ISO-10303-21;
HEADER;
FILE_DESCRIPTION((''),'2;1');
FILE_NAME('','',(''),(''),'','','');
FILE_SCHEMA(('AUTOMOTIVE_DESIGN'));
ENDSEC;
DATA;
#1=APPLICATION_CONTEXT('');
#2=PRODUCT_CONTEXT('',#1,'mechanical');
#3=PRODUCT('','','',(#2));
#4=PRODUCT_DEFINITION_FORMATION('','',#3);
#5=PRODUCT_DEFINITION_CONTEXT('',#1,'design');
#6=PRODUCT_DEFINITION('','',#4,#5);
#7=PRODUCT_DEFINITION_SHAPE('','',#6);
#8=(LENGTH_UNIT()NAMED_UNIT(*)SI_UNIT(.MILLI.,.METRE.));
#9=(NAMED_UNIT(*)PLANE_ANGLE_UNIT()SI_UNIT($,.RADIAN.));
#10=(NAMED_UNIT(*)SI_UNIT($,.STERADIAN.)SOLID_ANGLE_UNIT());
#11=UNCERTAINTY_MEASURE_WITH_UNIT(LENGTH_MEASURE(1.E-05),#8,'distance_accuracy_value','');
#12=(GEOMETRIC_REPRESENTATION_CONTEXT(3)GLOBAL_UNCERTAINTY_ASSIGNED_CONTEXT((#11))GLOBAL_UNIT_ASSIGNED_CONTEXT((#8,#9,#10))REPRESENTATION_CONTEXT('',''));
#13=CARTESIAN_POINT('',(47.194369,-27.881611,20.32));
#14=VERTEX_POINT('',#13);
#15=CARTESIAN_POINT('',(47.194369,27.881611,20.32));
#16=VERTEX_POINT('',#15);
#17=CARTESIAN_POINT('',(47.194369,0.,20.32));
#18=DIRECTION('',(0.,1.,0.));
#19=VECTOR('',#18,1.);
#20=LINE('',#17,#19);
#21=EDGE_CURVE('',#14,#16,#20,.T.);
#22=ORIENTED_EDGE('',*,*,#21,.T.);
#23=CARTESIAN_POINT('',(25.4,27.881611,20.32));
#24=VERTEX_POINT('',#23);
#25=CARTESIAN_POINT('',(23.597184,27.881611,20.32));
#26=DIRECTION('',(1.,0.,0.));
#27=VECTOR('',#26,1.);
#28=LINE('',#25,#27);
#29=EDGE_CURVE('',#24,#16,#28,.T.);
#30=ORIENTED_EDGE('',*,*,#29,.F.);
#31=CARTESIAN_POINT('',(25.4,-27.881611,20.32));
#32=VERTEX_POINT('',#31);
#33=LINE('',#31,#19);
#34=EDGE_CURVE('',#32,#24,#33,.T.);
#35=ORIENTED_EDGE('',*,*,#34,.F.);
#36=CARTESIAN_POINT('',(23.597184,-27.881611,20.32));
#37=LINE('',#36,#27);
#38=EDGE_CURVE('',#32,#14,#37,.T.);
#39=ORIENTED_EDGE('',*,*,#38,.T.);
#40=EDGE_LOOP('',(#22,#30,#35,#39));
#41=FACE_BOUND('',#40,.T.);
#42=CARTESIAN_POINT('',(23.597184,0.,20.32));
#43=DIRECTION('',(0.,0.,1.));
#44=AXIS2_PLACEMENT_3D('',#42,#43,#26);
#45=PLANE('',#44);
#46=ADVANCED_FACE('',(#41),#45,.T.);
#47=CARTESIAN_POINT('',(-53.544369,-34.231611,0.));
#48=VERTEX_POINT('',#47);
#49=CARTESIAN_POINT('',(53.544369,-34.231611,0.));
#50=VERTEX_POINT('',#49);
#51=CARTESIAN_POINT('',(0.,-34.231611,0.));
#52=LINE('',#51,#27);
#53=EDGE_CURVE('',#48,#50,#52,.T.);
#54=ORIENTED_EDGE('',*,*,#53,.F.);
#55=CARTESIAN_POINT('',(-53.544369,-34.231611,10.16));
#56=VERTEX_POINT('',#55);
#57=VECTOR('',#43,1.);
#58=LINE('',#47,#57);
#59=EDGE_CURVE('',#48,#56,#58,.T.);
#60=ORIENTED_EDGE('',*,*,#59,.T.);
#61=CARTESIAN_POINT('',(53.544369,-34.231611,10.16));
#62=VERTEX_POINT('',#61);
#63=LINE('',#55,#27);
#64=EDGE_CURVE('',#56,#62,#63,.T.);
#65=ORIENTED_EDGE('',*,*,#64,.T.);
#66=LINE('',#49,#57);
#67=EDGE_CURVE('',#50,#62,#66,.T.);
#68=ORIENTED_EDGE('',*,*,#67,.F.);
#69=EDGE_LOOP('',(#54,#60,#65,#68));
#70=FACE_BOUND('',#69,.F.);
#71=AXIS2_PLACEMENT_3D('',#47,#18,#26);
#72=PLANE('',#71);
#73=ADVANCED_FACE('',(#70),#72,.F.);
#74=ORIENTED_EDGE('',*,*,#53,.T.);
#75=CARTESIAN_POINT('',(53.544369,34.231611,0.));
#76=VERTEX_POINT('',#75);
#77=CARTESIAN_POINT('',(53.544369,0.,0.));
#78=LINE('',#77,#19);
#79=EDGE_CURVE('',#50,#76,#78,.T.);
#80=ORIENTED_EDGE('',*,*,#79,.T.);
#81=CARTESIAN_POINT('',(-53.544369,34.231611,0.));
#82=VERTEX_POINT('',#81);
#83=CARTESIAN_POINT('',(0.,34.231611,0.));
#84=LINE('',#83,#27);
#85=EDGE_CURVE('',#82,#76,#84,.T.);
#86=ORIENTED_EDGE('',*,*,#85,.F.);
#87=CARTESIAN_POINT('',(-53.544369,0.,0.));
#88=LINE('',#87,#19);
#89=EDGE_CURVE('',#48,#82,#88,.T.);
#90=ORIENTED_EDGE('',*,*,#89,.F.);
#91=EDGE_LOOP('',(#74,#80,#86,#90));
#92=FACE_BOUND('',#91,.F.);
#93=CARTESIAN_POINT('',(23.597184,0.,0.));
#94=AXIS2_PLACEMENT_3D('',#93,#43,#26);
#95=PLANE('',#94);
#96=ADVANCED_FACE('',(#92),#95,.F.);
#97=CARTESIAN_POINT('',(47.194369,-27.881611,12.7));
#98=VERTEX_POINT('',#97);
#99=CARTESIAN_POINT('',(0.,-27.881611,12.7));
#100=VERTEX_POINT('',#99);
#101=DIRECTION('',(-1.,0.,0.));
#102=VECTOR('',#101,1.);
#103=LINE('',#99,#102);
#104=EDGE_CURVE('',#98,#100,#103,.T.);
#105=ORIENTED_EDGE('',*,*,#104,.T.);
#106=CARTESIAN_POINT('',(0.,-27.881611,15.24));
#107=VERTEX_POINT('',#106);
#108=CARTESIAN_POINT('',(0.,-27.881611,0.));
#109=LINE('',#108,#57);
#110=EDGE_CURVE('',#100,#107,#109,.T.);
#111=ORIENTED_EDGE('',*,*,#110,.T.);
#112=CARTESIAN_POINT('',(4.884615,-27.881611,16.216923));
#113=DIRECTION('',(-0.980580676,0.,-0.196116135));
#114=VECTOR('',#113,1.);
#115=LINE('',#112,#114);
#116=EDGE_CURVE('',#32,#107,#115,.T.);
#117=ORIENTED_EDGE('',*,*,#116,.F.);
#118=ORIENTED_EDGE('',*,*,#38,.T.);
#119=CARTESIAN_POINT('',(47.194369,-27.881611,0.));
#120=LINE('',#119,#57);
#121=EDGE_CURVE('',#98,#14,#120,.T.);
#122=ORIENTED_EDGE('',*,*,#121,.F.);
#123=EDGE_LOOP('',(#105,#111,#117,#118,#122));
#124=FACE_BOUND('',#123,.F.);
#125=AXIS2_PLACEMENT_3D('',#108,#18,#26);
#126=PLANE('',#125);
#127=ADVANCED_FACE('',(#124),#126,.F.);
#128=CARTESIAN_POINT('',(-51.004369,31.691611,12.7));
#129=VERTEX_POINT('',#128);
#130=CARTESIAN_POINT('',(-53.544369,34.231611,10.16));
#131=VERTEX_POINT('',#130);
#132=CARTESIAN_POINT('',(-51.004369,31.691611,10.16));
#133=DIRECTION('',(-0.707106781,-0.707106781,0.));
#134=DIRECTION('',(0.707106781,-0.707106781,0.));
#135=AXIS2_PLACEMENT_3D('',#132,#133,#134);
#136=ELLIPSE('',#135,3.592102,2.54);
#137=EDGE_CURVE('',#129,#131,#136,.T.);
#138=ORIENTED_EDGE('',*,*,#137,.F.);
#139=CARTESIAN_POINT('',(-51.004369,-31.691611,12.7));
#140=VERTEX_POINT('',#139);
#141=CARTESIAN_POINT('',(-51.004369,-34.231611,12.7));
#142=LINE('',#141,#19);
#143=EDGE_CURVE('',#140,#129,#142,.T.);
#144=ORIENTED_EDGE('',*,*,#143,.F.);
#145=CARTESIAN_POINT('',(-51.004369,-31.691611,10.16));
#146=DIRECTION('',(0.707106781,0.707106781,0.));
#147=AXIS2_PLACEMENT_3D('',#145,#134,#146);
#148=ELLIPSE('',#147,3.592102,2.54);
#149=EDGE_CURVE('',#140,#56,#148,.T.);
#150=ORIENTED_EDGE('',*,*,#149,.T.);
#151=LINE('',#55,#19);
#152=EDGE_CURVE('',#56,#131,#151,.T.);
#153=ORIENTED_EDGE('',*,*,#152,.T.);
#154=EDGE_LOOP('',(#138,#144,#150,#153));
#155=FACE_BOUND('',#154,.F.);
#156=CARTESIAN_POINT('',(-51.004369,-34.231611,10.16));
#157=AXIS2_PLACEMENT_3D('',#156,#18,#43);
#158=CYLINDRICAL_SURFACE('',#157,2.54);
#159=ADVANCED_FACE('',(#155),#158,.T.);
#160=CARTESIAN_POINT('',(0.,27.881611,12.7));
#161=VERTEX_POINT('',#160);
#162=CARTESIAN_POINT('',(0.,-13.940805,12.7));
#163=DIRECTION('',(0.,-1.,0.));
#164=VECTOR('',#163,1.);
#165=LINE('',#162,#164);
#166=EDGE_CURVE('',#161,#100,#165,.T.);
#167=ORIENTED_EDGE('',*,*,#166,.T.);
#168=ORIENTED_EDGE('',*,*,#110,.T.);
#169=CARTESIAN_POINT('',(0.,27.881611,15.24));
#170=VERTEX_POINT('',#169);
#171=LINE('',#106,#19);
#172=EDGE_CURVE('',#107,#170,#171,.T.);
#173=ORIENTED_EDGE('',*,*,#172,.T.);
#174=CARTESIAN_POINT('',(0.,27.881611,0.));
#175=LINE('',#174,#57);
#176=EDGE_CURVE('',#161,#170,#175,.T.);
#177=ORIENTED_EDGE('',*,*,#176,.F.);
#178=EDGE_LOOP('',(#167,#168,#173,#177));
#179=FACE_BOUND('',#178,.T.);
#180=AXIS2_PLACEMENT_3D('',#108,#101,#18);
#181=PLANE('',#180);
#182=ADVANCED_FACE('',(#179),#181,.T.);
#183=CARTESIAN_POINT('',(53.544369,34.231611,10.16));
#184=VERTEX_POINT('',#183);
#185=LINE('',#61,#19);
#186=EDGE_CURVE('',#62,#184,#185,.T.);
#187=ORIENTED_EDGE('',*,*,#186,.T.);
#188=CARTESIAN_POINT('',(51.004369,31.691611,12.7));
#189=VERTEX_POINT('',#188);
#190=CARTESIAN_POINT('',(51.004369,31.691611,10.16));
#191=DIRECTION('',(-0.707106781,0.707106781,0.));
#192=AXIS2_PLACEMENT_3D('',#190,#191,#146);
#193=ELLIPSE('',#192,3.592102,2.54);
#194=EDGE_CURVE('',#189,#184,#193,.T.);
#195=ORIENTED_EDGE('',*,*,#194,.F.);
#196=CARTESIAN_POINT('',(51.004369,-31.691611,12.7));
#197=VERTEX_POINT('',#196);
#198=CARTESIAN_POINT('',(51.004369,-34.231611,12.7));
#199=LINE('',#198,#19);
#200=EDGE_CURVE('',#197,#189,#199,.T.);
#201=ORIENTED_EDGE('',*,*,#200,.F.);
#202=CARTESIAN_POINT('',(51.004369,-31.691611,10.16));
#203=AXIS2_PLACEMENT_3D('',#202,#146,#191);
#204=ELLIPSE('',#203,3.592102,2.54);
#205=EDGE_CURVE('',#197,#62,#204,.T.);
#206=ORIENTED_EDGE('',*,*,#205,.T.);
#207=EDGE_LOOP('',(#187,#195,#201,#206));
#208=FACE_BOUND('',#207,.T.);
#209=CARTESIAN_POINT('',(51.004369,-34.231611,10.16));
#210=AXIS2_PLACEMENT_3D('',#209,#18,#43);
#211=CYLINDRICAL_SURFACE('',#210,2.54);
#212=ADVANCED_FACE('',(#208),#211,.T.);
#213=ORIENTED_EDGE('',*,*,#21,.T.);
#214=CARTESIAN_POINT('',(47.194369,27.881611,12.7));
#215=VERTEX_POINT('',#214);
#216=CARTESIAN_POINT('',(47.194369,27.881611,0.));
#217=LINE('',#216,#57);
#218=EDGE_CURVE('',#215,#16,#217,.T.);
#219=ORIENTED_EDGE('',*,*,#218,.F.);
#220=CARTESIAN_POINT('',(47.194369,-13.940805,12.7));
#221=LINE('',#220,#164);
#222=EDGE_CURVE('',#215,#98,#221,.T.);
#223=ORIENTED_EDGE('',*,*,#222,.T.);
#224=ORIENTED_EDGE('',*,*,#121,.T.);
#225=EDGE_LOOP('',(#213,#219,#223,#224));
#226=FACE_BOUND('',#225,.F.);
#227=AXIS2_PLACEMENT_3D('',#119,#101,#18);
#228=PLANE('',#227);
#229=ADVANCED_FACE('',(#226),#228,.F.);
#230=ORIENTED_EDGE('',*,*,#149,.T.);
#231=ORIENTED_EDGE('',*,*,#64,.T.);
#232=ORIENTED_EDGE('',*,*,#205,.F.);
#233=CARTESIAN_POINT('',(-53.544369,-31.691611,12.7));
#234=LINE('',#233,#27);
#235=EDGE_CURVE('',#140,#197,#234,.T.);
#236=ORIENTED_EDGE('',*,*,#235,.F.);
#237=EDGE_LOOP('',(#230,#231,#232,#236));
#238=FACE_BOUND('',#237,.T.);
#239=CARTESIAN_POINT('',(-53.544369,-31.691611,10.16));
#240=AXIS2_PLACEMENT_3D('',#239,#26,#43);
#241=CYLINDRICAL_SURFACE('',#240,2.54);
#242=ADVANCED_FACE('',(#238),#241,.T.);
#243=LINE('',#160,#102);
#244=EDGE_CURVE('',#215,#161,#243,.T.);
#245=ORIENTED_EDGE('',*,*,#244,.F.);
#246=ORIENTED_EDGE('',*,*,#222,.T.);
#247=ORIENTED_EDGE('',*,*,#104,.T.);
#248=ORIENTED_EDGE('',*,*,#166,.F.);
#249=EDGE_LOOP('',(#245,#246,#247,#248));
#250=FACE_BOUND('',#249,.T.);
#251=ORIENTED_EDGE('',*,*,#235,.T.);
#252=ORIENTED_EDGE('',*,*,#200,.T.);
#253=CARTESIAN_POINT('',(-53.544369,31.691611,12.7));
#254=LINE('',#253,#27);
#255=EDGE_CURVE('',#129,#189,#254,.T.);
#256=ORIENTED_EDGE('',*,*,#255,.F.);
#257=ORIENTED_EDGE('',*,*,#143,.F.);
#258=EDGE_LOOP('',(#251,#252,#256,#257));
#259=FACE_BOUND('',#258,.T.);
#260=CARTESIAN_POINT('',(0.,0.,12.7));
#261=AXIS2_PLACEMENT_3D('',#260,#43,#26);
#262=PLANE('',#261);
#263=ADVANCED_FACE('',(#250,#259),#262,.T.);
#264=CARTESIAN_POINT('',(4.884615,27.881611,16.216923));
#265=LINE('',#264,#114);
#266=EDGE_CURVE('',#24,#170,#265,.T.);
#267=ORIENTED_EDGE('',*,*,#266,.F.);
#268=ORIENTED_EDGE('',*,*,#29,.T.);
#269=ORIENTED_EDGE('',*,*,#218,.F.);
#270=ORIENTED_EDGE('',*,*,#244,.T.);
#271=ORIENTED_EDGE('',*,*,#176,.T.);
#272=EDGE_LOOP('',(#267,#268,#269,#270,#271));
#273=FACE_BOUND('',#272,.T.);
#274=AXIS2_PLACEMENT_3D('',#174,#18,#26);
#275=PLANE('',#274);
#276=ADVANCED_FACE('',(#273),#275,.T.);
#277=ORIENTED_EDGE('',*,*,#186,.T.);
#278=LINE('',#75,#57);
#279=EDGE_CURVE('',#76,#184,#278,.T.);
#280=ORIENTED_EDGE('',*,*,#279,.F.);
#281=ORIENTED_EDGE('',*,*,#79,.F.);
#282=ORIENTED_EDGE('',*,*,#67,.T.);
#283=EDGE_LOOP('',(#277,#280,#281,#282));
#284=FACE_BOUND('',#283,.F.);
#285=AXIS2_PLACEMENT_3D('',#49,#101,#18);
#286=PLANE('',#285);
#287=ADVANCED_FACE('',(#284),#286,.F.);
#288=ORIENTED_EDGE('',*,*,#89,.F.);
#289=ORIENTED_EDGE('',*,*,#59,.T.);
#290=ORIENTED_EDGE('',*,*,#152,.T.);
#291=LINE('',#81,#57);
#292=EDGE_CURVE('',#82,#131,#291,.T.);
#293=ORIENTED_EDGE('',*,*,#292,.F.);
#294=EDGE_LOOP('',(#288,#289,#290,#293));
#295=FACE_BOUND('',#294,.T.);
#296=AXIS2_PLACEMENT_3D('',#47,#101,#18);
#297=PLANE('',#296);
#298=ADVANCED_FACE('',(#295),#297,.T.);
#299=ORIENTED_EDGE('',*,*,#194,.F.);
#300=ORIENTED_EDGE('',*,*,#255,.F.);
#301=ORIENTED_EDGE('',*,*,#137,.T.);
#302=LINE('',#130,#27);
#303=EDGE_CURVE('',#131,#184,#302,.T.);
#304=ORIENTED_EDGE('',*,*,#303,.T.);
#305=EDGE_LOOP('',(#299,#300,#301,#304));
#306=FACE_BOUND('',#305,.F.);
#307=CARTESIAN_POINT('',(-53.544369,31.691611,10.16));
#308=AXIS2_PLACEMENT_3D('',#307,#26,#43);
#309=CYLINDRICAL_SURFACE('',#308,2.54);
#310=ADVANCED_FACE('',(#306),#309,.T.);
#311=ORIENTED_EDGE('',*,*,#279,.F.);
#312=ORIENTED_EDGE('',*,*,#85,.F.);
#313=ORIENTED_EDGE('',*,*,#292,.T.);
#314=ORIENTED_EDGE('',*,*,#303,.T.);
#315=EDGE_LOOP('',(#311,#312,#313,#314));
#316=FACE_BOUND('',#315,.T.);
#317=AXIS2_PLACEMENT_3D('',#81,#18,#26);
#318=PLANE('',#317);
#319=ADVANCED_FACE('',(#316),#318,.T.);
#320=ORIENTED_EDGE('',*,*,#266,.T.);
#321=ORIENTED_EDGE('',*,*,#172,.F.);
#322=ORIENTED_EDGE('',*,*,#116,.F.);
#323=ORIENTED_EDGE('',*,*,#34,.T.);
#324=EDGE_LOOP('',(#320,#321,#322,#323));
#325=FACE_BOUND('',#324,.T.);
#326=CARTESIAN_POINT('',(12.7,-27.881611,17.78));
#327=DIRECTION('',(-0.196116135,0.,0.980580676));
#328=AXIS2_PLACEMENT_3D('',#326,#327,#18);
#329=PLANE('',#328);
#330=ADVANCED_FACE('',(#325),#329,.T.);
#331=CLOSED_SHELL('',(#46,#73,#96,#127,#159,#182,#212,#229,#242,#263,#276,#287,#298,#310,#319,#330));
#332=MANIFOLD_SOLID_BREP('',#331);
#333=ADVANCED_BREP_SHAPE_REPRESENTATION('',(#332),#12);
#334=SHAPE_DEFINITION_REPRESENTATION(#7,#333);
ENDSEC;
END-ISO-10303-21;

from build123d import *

# Parameters (mm, degrees)
F0_W     = 107.0887371898
F0_H     = 68.4632211924
F2_DEPTH = 12.7
F1_W     = 47.1943685949
F1_H     = 55.7632211924
F3_DEPTH = 20.32
F4_SIZE2 = 5.08
F4_SIZE  = 25.4
F5_R     = 2.54


with BuildPart() as f2:
    # F0 (on Top) → F2 (new body)
    with BuildSketch(Plane.XY):
        Rectangle(F0_W, F0_H)
    extrude(amount=F2_DEPTH)

    # F1 (on Top) → F3 (join)
    with BuildSketch(Plane.XY):
        with Locations((23.5971842974, 0)):
            Rectangle(F1_W, F1_H)
    extrude(amount=F3_DEPTH)

    # F4
    f4_edges = [f2.edges().sort_by_distance(p)[0] for p in [
        (0, 0, 20.32),
    ]]
    f4_side = f2.faces().sort_by_distance((23.597184, 0, 20.32))[0]
    chamfer(f4_edges, length=F4_SIZE, length2=F4_SIZE2, reference=f4_side)

    # F5
    f5_edges = [f2.edges().sort_by_distance(p)[0] for p in [
        (0, 34.231611, 12.7),
        (53.544369, 0, 12.7),
        (0, -34.231611, 12.7),
        (-53.544369, 0, 12.7),
    ]]
    fillet(f5_edges, radius=F5_R)


solid = f2.part
